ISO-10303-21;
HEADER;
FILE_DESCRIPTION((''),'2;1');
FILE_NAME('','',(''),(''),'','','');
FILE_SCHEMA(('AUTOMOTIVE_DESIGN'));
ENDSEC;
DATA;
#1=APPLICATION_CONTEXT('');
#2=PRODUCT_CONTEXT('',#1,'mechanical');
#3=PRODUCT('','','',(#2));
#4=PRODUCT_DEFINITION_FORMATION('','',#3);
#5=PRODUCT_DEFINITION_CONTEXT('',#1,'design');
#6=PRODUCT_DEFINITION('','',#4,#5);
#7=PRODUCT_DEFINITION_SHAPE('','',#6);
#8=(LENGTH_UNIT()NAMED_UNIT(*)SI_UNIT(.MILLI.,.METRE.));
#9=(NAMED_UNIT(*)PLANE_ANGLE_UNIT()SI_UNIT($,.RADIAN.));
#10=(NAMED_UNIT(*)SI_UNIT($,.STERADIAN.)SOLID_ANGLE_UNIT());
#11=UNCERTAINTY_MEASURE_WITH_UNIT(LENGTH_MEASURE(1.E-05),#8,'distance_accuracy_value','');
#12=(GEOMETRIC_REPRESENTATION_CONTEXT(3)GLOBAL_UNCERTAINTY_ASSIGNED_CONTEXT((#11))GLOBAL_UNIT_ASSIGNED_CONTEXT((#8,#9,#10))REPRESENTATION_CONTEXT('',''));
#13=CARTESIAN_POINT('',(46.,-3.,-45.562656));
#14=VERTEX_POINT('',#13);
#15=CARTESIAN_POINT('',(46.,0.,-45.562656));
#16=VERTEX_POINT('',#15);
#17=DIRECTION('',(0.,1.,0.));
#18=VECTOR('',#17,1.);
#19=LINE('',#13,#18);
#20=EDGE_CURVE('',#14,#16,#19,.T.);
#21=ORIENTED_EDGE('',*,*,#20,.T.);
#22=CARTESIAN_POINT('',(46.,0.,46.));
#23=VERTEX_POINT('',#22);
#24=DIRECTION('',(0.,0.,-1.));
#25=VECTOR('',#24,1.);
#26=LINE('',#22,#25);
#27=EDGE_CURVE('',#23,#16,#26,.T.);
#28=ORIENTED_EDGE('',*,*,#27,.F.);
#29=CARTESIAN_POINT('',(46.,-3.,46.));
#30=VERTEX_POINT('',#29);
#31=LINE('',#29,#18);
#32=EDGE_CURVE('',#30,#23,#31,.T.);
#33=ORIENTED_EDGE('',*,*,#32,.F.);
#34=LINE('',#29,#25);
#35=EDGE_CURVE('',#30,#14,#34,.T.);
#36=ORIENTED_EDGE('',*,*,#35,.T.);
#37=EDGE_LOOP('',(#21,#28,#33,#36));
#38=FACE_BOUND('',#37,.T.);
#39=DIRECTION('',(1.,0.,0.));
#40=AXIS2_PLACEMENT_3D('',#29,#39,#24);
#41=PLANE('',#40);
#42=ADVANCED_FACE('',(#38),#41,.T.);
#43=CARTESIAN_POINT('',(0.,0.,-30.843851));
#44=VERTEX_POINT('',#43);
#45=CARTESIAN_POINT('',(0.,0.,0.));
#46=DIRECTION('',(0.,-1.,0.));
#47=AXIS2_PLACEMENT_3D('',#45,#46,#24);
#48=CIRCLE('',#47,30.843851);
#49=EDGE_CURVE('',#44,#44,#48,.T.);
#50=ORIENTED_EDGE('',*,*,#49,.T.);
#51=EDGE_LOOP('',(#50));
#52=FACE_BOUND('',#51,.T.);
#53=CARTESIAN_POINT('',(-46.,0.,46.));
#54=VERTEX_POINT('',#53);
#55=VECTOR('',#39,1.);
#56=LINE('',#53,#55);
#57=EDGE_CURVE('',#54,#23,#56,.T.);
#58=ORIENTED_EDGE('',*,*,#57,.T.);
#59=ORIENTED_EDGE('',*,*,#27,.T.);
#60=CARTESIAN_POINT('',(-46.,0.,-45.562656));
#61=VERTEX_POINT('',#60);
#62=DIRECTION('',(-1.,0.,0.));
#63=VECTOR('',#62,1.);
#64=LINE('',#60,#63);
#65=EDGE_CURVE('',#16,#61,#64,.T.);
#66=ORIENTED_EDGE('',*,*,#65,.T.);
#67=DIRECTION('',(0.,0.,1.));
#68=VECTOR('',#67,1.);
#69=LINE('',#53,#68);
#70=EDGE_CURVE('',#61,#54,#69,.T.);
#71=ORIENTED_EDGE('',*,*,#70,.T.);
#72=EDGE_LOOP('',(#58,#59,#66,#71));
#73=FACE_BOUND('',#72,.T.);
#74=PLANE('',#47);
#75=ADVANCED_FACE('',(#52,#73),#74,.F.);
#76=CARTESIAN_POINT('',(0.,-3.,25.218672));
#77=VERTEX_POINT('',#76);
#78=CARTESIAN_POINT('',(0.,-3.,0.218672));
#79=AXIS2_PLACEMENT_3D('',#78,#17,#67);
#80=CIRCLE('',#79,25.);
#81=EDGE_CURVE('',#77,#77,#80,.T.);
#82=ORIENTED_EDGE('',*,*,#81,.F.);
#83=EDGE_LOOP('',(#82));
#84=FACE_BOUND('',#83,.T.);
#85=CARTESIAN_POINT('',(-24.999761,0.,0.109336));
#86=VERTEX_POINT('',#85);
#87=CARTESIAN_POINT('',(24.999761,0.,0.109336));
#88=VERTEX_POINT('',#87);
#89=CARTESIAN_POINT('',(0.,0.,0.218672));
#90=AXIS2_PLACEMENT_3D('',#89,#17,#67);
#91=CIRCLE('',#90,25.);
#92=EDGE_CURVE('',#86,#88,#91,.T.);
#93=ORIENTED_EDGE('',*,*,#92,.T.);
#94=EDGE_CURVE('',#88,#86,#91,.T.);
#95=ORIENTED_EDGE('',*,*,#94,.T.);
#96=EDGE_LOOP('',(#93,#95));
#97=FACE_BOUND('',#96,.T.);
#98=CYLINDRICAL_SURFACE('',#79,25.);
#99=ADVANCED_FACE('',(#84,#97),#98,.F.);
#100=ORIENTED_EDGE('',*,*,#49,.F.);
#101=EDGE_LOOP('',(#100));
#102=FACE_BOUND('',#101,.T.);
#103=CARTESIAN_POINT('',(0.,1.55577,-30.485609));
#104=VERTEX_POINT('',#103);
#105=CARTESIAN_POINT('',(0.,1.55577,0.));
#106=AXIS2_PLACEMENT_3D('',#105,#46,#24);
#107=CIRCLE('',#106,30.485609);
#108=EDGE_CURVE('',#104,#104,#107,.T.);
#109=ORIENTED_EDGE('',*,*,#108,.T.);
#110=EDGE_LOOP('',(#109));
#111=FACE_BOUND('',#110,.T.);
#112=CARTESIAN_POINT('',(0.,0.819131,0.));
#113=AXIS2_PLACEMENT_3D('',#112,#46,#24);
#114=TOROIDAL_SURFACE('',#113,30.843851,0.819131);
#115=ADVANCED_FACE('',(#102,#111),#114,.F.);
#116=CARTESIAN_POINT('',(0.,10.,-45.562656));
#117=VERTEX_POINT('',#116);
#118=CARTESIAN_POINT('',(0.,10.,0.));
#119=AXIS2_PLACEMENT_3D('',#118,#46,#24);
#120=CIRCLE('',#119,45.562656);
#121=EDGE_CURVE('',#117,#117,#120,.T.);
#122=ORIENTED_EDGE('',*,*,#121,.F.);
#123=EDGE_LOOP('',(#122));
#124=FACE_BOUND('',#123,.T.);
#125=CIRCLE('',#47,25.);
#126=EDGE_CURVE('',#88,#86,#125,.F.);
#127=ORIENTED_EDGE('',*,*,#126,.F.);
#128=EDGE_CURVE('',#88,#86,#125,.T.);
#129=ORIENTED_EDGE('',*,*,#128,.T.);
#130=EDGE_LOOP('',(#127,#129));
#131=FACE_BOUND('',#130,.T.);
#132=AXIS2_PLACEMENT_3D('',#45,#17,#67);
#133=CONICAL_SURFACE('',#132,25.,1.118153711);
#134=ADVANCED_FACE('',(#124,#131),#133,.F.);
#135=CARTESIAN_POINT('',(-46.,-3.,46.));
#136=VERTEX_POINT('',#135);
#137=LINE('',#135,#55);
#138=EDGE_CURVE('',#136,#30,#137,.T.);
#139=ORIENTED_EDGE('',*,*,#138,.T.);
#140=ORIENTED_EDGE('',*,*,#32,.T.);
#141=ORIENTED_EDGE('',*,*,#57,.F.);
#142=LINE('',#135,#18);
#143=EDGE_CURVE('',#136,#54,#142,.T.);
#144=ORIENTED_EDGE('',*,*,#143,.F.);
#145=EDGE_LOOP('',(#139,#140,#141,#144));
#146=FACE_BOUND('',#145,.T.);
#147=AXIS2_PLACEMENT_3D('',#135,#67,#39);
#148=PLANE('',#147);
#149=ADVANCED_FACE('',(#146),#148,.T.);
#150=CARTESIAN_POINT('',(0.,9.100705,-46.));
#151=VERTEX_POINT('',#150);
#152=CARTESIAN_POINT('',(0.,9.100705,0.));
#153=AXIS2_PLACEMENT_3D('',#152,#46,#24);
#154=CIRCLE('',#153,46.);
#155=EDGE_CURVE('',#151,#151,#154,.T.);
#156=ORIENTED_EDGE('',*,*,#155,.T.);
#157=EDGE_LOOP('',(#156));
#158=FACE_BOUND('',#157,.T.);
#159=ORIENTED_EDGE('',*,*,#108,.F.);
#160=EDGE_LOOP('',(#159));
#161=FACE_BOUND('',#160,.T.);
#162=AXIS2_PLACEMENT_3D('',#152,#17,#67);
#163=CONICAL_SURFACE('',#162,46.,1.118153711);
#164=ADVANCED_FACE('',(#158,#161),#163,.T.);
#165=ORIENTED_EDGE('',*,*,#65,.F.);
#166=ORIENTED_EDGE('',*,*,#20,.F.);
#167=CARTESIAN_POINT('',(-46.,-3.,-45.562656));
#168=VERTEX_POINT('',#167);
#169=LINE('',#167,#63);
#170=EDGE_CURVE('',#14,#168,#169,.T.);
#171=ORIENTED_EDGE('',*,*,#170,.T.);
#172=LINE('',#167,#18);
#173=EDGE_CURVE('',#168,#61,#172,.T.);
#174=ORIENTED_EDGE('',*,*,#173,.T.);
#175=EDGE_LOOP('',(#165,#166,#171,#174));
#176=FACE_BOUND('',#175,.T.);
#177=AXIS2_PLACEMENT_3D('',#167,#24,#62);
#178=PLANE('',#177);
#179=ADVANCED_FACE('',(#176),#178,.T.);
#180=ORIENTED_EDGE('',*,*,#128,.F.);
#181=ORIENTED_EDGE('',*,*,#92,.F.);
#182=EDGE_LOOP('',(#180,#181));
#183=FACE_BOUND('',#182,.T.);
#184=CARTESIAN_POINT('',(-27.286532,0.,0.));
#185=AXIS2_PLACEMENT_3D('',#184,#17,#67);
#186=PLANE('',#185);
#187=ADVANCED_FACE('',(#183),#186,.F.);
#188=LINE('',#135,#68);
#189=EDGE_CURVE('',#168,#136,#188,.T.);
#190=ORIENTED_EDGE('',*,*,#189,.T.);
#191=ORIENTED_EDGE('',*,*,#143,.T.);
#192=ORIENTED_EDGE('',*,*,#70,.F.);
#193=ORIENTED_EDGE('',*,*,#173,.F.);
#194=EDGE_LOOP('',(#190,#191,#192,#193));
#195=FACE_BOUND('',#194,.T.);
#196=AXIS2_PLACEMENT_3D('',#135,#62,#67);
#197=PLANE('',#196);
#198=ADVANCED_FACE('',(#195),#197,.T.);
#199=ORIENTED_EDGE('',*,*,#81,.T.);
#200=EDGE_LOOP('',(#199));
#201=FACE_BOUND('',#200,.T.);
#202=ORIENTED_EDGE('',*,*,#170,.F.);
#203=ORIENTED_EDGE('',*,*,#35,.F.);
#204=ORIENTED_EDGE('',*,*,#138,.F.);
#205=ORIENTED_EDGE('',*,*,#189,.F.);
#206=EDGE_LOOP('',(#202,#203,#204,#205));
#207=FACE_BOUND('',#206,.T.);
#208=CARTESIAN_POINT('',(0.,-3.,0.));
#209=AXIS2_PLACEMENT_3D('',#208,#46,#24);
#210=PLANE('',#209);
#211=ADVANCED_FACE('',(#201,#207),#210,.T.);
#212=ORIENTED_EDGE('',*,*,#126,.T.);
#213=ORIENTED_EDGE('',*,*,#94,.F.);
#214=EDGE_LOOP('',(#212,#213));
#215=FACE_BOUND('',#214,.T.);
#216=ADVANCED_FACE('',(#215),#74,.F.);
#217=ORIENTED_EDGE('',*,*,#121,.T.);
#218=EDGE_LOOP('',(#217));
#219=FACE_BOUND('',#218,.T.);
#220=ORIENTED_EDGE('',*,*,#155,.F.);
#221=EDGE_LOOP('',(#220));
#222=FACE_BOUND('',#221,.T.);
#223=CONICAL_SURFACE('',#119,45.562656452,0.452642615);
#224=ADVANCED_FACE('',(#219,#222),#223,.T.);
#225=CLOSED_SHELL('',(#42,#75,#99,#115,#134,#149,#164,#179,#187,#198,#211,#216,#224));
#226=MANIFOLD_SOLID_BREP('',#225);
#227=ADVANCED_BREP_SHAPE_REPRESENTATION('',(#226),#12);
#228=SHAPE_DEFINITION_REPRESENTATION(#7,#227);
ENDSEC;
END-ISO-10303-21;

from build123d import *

# Parameters (mm, degrees)
SKETCH2_W           = 92
SKETCH2_H           = 91.562656452
SKETCH2_R           = 25
BOSS_EXTRUDE1_DEPTH = 3


with BuildPart() as part:
    # Sketch1 → Revolve1 (revolve)
    with BuildSketch(Plane.XY, mode=Mode.PRIVATE) as revolve1_sk:
        Polygon((-27.28653196, 0), (-46, 9.100705487), (-45.562656452, 10), (-25, 0), align=None)
    revolve(revolve1_sk.sketch.rotate(Axis((0, 0, 0), (0, 1, 0)), 270), axis=Axis((0, 0, 0), (0, 1, 0)))



with BuildPart() as body_2:
    # Sketch2 → Boss-Extrude1 (new body)
    with BuildSketch(Plane(origin=(0, 0, 0), x_dir=(1, 0, 0), z_dir=(0, 1, 0))):
        with Locations((0, -0.218671774)):
            Rectangle(SKETCH2_W, SKETCH2_H)
        with Locations(Location((0, -0.218671774, 0), (0, 0, 270))):
            Circle(SKETCH2_R, mode=Mode.SUBTRACT)
    extrude(amount=-BOSS_EXTRUDE1_DEPTH)


with BuildPart() as part_1:
    add(part.part)

    add(body_2.part)  # Revolve2 merges body 2
    # Sketch3 → Revolve2 (revolve)
    with BuildSketch(Plane.XY, mode=Mode.PRIVATE) as revolve2_sk:
        with BuildLine():
            Line((-27.28653196, 0), (-30.485609044, 1.555770331))
            ThreePointArc((-30.485609044, 1.555770331), (-30.045608993, 0.6353225), (-30.843850544, 0))
            Line((-30.843850544, 0), (-27.28653196, 0))
        make_face()
    revolve(revolve2_sk.sketch.rotate(Axis((0, 0, 0), (0, 1, 0)), 270), axis=Axis((0, 0, 0), (0, 1, 0)))


solid = part_1.part
